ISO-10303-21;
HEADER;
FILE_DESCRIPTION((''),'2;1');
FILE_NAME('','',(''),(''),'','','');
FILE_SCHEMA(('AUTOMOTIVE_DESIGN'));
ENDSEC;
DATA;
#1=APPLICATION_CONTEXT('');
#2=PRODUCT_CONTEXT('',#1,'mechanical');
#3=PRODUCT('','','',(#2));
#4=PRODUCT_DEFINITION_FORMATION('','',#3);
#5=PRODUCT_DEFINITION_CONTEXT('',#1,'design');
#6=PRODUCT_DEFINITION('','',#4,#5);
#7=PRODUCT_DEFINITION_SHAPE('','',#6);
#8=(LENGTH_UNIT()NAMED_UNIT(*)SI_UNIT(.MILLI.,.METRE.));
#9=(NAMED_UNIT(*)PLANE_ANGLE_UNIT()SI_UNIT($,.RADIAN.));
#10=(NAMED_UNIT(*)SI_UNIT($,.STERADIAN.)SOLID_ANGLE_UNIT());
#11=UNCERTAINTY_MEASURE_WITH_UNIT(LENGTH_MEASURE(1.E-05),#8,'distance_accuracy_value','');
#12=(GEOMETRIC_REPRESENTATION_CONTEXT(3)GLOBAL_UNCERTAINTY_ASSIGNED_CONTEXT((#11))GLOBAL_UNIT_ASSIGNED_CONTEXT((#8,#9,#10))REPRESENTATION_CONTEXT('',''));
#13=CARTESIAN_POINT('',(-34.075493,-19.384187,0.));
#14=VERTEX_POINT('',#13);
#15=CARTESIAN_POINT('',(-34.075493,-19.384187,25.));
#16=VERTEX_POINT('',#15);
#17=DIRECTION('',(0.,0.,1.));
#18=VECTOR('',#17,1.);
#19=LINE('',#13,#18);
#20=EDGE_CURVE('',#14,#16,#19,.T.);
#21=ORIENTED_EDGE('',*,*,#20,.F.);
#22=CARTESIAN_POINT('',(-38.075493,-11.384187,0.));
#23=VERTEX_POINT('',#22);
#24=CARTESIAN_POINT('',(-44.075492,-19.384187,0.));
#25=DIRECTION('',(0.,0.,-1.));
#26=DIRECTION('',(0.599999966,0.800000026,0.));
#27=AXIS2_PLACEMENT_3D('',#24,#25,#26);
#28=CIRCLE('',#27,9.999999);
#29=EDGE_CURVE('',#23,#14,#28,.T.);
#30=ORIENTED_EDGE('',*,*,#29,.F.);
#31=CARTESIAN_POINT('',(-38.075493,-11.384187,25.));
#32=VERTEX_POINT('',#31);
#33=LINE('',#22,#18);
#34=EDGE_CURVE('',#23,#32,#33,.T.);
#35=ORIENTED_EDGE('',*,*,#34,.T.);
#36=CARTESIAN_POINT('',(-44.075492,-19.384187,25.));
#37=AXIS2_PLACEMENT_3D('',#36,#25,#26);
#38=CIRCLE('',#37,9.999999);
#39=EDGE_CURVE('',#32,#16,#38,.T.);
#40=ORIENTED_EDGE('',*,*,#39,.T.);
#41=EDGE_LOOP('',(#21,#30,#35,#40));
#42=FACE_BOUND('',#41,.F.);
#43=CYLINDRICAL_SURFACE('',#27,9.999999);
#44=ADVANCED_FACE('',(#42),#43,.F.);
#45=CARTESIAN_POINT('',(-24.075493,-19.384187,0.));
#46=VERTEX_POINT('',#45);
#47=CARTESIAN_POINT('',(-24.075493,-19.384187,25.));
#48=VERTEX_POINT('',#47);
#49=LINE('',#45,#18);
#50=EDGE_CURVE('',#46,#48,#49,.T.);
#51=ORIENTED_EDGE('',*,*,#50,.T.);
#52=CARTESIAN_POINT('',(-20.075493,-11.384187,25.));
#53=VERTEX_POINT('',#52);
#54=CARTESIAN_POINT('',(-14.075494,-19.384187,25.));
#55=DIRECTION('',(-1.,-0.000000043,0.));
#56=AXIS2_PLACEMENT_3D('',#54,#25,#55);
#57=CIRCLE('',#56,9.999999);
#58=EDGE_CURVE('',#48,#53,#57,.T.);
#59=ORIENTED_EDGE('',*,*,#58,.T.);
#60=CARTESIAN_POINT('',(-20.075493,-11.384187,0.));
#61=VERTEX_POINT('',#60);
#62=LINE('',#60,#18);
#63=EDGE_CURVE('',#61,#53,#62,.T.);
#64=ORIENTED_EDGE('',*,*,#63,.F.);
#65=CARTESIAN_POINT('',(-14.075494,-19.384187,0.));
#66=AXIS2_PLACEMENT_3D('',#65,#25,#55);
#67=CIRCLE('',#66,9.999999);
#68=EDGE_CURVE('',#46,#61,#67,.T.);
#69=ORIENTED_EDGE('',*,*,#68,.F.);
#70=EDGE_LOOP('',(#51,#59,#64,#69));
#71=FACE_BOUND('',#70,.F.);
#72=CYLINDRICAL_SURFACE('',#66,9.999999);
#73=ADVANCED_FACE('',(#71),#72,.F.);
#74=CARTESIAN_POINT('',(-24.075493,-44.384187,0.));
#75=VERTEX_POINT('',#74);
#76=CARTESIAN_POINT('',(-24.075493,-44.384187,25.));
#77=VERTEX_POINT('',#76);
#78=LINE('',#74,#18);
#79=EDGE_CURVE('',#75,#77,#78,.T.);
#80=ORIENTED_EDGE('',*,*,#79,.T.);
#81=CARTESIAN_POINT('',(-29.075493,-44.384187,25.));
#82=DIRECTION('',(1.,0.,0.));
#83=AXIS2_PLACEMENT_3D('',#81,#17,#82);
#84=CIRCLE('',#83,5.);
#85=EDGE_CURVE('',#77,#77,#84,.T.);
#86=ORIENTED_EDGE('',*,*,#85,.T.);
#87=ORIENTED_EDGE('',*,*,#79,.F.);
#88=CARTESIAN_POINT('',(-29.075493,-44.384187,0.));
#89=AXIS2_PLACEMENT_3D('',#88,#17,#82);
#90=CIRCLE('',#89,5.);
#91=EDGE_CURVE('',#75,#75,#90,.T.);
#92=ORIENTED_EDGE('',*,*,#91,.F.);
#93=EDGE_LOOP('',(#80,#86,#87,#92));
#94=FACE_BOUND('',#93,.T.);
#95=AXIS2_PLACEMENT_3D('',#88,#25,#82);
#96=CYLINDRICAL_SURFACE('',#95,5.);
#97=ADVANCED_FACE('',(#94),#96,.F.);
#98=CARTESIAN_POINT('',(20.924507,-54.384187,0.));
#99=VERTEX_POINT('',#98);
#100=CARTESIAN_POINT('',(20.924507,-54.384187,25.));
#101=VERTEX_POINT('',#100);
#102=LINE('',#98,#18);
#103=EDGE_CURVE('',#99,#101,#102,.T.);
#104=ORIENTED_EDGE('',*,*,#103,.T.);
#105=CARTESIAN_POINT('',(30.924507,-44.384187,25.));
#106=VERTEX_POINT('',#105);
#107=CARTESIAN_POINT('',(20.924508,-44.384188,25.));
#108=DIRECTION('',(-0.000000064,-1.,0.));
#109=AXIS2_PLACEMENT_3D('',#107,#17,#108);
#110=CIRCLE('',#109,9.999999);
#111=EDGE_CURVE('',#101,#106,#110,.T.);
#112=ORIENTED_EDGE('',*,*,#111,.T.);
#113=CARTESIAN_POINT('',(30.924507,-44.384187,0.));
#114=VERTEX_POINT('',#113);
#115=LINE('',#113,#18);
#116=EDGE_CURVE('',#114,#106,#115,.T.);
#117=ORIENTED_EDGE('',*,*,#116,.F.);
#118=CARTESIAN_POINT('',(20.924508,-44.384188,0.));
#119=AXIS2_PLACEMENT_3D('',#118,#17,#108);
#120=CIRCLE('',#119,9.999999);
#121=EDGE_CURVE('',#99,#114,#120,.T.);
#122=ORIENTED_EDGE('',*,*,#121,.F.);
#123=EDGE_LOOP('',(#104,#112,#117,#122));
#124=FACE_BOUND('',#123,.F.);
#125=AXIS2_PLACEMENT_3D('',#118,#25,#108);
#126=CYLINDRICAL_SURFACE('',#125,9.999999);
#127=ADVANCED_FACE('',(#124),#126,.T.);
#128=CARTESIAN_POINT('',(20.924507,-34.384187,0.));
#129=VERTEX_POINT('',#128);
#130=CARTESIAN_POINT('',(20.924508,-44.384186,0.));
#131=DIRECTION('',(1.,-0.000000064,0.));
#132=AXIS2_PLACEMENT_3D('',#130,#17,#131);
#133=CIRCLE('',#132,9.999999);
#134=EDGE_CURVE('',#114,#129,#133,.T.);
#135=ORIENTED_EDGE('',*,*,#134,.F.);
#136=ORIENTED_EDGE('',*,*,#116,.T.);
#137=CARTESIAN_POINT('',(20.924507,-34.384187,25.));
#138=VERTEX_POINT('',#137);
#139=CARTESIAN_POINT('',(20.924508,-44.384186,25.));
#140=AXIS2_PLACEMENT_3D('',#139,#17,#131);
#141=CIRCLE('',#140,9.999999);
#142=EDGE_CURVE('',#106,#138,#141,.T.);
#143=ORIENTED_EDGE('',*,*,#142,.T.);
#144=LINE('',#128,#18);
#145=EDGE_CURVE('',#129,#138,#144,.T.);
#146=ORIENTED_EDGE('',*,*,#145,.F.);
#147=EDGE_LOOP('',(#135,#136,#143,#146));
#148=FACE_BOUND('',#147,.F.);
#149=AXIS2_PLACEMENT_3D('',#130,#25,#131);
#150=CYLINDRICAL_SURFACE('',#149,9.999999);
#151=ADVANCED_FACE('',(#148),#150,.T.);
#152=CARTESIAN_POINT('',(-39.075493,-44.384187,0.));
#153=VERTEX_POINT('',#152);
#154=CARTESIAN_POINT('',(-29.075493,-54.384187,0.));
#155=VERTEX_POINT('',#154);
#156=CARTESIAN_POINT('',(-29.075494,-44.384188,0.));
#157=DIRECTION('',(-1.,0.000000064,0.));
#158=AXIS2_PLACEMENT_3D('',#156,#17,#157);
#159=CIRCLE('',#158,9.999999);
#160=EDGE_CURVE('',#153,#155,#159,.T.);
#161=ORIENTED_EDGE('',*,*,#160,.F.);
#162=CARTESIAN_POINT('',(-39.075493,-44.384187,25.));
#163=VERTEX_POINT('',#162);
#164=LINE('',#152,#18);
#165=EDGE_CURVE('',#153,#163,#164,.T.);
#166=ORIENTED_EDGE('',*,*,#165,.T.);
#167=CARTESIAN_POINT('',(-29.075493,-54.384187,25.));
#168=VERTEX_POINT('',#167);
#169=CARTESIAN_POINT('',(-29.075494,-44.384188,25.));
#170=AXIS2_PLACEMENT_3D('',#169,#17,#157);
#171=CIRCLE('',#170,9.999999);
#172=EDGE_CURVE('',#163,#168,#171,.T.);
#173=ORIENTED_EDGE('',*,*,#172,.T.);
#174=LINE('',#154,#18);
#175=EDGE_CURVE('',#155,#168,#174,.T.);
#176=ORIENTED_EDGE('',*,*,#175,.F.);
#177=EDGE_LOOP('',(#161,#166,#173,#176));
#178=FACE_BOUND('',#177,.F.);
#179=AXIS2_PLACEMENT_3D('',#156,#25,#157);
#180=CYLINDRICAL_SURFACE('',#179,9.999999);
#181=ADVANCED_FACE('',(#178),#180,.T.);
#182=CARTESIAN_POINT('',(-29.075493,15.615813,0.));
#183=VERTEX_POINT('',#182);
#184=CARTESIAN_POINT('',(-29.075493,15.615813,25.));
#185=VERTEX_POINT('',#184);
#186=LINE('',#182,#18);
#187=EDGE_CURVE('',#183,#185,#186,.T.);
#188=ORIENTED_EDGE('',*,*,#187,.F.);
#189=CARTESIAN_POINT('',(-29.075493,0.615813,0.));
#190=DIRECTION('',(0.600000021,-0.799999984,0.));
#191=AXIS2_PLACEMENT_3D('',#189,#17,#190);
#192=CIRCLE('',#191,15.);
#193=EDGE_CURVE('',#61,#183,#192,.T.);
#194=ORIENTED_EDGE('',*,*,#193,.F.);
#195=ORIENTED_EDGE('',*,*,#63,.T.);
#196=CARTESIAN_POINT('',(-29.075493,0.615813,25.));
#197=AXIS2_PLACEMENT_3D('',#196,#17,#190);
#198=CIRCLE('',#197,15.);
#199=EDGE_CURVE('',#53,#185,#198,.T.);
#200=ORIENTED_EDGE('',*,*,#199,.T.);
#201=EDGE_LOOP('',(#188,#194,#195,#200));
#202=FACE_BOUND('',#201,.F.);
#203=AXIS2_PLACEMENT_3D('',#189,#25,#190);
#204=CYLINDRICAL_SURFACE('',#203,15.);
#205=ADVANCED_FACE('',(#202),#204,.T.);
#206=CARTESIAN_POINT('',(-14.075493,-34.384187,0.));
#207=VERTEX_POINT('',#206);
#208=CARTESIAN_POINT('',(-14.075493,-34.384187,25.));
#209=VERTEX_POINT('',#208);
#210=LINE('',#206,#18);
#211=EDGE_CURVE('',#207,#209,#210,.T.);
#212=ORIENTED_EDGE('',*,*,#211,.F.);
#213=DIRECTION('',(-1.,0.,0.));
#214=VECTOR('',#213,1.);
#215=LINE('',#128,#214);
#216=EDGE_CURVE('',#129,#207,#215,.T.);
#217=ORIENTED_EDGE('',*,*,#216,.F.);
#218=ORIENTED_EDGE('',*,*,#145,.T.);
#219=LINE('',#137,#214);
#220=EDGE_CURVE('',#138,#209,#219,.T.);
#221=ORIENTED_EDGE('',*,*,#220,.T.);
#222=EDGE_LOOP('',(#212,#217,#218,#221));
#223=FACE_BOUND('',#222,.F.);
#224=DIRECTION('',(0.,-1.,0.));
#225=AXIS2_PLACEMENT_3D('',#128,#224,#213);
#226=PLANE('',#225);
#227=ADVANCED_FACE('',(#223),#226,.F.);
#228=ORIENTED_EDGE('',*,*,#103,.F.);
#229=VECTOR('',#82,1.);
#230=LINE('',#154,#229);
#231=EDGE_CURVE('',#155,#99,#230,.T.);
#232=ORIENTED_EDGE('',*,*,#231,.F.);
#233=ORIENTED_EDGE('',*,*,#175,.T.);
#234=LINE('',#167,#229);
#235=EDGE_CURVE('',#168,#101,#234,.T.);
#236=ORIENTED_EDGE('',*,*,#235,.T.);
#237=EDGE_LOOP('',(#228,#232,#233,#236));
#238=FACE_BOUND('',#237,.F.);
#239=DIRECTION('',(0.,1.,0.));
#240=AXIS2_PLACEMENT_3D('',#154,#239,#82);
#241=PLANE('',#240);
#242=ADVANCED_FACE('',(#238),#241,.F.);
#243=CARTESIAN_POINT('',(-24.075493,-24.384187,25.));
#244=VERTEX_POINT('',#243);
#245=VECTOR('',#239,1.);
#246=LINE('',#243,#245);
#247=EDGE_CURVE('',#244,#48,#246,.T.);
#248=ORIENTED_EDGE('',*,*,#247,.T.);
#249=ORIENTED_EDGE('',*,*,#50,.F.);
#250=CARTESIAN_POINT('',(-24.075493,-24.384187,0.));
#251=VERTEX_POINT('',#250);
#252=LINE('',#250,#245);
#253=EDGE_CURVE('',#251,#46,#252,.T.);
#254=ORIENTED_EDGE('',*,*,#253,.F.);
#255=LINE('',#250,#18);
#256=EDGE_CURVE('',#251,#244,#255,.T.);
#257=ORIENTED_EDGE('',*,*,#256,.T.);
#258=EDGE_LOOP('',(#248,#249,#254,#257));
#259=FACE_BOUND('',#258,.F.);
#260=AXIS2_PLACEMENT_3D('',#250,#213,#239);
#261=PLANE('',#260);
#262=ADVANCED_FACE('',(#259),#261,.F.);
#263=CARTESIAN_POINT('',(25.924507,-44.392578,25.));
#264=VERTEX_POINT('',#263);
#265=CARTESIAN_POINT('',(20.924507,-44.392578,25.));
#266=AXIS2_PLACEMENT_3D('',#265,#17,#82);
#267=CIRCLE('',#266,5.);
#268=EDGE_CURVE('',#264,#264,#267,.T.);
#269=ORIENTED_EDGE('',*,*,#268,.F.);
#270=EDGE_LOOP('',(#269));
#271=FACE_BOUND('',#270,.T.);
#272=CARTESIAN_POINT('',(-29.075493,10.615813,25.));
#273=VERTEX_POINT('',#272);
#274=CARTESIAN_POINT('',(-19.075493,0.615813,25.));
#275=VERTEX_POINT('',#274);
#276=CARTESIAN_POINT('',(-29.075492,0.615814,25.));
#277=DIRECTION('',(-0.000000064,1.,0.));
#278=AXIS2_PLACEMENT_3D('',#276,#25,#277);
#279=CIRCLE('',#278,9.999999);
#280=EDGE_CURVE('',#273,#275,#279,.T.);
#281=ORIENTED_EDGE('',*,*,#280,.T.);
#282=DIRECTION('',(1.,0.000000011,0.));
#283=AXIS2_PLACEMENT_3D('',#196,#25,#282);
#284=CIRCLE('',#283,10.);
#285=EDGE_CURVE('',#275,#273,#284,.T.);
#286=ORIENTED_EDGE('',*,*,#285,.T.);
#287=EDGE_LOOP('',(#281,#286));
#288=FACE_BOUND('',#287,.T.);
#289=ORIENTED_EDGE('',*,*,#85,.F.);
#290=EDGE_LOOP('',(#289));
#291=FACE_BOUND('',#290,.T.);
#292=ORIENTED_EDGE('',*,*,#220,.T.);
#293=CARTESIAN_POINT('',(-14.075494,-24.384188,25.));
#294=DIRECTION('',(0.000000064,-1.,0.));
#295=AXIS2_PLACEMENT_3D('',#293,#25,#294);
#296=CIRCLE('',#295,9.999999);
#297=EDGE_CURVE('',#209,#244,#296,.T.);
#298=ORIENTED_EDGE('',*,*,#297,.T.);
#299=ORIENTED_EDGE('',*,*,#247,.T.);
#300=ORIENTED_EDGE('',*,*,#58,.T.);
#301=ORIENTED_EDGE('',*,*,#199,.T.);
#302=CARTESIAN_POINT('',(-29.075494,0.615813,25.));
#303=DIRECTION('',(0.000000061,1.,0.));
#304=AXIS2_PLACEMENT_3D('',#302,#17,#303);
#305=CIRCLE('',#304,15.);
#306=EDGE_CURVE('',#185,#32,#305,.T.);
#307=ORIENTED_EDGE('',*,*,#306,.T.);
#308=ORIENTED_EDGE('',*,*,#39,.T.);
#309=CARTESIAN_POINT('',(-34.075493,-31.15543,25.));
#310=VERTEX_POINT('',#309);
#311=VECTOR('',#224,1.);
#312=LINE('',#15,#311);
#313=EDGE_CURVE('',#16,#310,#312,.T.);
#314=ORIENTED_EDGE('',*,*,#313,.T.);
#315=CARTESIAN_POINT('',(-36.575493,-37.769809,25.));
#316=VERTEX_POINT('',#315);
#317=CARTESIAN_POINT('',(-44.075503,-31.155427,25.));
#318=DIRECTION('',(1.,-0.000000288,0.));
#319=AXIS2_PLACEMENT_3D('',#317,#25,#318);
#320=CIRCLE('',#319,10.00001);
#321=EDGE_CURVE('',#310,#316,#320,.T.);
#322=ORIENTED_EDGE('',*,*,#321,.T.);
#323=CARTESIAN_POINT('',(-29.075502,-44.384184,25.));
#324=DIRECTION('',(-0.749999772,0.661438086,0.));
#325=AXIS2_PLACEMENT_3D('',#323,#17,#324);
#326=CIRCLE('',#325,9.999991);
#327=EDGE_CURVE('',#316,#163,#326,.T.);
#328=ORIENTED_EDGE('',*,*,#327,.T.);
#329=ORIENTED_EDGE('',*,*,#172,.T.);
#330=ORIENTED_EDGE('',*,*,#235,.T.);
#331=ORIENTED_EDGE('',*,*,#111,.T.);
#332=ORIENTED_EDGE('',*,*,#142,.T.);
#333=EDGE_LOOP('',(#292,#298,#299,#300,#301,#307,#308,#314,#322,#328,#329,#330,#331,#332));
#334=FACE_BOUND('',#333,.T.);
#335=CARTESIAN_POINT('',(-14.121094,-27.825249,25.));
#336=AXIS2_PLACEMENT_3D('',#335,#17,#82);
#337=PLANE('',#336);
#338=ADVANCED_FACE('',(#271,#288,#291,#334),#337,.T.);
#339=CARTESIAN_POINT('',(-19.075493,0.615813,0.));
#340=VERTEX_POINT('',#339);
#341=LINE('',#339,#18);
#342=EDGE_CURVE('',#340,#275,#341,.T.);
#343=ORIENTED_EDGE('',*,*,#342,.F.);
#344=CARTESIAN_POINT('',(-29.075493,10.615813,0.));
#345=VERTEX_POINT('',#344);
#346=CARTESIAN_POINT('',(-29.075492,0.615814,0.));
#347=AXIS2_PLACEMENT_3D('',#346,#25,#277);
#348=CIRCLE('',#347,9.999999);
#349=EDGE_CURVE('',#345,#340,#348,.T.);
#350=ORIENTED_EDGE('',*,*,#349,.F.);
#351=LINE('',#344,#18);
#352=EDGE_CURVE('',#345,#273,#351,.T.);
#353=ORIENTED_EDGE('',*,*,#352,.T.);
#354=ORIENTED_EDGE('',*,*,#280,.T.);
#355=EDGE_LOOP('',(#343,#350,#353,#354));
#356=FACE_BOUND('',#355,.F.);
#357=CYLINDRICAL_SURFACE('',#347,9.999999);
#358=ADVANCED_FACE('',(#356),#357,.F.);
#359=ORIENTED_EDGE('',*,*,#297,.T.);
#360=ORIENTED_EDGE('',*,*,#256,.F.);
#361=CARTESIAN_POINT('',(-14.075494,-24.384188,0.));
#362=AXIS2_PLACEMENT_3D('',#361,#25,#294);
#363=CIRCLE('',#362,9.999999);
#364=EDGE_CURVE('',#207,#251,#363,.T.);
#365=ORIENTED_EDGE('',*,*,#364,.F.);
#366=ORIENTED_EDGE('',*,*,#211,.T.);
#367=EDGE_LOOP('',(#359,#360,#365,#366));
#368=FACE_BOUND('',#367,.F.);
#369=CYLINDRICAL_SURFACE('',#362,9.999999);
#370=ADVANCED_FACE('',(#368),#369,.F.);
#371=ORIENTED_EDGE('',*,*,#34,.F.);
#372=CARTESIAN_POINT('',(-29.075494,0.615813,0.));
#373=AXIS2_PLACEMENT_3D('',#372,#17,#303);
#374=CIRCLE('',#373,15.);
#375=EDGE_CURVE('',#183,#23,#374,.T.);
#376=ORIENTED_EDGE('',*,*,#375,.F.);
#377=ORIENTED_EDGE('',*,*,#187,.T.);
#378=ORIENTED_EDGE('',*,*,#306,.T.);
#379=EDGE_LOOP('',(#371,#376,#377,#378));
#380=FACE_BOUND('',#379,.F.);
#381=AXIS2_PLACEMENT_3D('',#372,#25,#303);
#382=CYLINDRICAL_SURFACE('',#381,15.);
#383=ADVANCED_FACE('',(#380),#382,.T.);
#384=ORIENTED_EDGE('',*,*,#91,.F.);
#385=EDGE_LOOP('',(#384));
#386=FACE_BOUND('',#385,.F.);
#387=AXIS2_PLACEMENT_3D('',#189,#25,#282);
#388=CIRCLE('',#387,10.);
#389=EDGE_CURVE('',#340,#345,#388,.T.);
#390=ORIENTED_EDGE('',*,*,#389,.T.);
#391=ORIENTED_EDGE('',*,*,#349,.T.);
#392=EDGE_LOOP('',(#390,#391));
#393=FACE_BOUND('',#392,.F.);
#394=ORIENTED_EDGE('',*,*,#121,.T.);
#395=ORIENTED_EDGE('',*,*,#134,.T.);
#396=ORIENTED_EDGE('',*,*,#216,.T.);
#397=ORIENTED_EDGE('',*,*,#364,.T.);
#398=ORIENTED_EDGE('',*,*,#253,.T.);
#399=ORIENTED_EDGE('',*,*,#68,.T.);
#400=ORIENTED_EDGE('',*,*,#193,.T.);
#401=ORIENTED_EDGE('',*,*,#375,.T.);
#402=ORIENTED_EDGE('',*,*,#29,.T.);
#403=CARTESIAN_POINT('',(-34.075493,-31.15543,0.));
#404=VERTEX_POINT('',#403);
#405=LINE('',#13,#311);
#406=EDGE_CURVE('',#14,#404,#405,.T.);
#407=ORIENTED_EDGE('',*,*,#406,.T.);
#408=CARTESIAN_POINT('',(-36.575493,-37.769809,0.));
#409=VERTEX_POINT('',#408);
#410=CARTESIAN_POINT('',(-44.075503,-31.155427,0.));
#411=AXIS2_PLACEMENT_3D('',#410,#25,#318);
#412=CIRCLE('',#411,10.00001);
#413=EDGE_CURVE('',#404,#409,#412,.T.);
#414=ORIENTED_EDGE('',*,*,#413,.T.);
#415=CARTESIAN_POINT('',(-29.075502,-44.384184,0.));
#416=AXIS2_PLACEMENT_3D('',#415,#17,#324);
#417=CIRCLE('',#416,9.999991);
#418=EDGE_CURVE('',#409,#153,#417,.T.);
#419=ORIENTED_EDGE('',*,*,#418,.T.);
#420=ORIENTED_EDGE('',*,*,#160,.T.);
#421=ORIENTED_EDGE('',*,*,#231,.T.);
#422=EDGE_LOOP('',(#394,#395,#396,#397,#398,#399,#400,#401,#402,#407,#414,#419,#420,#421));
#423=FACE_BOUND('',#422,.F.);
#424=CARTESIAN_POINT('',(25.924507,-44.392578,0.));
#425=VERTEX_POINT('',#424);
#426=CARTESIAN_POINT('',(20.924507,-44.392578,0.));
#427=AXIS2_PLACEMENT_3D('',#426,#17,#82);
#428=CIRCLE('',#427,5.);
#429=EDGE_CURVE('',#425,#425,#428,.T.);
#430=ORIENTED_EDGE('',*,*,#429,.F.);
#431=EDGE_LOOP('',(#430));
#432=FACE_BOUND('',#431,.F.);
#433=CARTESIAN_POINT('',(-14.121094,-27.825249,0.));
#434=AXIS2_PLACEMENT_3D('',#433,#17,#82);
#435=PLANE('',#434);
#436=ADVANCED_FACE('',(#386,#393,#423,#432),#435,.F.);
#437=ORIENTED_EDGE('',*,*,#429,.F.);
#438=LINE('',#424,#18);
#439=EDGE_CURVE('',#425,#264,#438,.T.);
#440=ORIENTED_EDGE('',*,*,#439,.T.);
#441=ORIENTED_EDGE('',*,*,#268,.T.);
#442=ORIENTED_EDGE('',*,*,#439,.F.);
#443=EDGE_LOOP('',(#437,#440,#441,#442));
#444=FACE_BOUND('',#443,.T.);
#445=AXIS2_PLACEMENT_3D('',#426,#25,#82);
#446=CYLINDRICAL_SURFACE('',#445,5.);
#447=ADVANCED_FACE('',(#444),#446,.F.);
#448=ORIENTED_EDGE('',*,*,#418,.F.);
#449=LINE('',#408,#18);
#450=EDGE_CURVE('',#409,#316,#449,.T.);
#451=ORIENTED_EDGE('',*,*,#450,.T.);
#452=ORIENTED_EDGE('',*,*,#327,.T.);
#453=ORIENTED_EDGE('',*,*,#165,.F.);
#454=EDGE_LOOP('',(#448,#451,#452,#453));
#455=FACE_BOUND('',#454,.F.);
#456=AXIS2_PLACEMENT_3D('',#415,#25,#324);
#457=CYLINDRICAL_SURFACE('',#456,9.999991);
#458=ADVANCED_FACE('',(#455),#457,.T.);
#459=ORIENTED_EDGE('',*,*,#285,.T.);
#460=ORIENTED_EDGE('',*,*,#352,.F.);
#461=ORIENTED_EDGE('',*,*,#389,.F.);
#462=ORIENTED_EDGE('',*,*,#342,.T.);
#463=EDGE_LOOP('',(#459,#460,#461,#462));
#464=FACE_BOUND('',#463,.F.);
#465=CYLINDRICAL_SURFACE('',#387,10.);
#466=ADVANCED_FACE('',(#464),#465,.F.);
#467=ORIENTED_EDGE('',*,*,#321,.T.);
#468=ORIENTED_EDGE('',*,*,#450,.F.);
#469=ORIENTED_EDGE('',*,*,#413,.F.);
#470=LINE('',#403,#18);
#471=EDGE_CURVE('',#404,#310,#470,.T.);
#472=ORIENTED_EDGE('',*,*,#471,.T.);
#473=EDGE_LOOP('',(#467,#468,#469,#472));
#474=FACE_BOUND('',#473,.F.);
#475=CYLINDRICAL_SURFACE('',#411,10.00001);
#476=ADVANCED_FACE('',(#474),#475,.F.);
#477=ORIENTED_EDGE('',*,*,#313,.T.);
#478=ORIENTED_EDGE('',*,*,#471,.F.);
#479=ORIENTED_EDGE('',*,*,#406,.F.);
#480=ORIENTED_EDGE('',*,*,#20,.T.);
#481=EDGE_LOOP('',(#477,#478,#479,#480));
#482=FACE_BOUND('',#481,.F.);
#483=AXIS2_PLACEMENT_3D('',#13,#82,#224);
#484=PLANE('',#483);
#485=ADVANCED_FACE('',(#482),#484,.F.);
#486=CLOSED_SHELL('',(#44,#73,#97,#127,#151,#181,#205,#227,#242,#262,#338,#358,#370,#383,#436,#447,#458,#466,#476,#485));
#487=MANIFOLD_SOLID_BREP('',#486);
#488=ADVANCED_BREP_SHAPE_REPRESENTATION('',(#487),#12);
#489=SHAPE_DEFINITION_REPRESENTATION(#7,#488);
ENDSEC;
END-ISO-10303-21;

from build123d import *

# Parameters (mm, degrees)
F0_R     = 5
F1_DEPTH = 25


with BuildPart() as f1:
    # F0 (on Top) → F1 (new body)
    with BuildSketch(Plane.XY):
        with BuildLine():
            ThreePointArc((-39.075493, -44.384187), (-36.146561, -51.455255), (-29.075493, -54.384187))
            Line((-29.075493, -54.384187), (20.924507, -54.384187))
            ThreePointArc((20.924507, -54.384187), (27.995575, -51.455255), (30.924507, -44.384187))
            ThreePointArc((30.924507, -44.384187), (27.995575, -37.313119), (20.924507, -34.384187))
            Line((20.924507, -34.384187), (7.75616, -34.384187))
            Line((7.75616, -34.384187), (-14.075493, -34.384187))
            ThreePointArc((-14.075493, -34.384187), (-21.146561, -31.455255), (-24.075493, -24.384187))
            Line((-24.075493, -24.384187), (-24.075493, -22.920936))
            Line((-24.075493, -22.920936), (-24.075493, -19.384187))
            ThreePointArc((-24.075493, -19.384187), (-23.019765, -14.912051), (-20.075493, -11.384187))
            ThreePointArc((-20.075493, -11.384187), (-14.845244, 5.35923), (-29.075493, 15.615813))
            ThreePointArc((-29.075493, 15.615813), (-43.305743, 5.35923), (-38.075493, -11.384187))
            ThreePointArc((-38.075493, -11.384187), (-35.131221, -14.912051), (-34.075493, -19.384187))
            Line((-34.075493, -19.384187), (-34.075493, -22.920936))
            Line((-34.075493, -22.920936), (-34.075493, -31.15543))
            ThreePointArc((-34.075493, -31.15543), (-34.72135, -34.690964), (-36.575493, -37.769809))
            ThreePointArc((-36.575493, -37.769809), (-38.429637, -40.848653), (-39.075493, -44.384187))
        make_face()
        with Locations((-29.075493, -44.384187)):
            Circle(F0_R, mode=Mode.SUBTRACT)
        with Locations((20.924507, -44.392578)):
            Circle(F0_R, mode=Mode.SUBTRACT)
        with BuildLine():
            ThreePointArc((-19.075493, 0.615813), (-36.146561, -6.455255), (-29.075493, 10.615813))
            ThreePointArc((-29.075493, 10.615813), (-22.004425, 7.686881), (-19.075493, 0.615813))
        make_face(mode=Mode.SUBTRACT)
    extrude(amount=F1_DEPTH)


solid = f1.part
